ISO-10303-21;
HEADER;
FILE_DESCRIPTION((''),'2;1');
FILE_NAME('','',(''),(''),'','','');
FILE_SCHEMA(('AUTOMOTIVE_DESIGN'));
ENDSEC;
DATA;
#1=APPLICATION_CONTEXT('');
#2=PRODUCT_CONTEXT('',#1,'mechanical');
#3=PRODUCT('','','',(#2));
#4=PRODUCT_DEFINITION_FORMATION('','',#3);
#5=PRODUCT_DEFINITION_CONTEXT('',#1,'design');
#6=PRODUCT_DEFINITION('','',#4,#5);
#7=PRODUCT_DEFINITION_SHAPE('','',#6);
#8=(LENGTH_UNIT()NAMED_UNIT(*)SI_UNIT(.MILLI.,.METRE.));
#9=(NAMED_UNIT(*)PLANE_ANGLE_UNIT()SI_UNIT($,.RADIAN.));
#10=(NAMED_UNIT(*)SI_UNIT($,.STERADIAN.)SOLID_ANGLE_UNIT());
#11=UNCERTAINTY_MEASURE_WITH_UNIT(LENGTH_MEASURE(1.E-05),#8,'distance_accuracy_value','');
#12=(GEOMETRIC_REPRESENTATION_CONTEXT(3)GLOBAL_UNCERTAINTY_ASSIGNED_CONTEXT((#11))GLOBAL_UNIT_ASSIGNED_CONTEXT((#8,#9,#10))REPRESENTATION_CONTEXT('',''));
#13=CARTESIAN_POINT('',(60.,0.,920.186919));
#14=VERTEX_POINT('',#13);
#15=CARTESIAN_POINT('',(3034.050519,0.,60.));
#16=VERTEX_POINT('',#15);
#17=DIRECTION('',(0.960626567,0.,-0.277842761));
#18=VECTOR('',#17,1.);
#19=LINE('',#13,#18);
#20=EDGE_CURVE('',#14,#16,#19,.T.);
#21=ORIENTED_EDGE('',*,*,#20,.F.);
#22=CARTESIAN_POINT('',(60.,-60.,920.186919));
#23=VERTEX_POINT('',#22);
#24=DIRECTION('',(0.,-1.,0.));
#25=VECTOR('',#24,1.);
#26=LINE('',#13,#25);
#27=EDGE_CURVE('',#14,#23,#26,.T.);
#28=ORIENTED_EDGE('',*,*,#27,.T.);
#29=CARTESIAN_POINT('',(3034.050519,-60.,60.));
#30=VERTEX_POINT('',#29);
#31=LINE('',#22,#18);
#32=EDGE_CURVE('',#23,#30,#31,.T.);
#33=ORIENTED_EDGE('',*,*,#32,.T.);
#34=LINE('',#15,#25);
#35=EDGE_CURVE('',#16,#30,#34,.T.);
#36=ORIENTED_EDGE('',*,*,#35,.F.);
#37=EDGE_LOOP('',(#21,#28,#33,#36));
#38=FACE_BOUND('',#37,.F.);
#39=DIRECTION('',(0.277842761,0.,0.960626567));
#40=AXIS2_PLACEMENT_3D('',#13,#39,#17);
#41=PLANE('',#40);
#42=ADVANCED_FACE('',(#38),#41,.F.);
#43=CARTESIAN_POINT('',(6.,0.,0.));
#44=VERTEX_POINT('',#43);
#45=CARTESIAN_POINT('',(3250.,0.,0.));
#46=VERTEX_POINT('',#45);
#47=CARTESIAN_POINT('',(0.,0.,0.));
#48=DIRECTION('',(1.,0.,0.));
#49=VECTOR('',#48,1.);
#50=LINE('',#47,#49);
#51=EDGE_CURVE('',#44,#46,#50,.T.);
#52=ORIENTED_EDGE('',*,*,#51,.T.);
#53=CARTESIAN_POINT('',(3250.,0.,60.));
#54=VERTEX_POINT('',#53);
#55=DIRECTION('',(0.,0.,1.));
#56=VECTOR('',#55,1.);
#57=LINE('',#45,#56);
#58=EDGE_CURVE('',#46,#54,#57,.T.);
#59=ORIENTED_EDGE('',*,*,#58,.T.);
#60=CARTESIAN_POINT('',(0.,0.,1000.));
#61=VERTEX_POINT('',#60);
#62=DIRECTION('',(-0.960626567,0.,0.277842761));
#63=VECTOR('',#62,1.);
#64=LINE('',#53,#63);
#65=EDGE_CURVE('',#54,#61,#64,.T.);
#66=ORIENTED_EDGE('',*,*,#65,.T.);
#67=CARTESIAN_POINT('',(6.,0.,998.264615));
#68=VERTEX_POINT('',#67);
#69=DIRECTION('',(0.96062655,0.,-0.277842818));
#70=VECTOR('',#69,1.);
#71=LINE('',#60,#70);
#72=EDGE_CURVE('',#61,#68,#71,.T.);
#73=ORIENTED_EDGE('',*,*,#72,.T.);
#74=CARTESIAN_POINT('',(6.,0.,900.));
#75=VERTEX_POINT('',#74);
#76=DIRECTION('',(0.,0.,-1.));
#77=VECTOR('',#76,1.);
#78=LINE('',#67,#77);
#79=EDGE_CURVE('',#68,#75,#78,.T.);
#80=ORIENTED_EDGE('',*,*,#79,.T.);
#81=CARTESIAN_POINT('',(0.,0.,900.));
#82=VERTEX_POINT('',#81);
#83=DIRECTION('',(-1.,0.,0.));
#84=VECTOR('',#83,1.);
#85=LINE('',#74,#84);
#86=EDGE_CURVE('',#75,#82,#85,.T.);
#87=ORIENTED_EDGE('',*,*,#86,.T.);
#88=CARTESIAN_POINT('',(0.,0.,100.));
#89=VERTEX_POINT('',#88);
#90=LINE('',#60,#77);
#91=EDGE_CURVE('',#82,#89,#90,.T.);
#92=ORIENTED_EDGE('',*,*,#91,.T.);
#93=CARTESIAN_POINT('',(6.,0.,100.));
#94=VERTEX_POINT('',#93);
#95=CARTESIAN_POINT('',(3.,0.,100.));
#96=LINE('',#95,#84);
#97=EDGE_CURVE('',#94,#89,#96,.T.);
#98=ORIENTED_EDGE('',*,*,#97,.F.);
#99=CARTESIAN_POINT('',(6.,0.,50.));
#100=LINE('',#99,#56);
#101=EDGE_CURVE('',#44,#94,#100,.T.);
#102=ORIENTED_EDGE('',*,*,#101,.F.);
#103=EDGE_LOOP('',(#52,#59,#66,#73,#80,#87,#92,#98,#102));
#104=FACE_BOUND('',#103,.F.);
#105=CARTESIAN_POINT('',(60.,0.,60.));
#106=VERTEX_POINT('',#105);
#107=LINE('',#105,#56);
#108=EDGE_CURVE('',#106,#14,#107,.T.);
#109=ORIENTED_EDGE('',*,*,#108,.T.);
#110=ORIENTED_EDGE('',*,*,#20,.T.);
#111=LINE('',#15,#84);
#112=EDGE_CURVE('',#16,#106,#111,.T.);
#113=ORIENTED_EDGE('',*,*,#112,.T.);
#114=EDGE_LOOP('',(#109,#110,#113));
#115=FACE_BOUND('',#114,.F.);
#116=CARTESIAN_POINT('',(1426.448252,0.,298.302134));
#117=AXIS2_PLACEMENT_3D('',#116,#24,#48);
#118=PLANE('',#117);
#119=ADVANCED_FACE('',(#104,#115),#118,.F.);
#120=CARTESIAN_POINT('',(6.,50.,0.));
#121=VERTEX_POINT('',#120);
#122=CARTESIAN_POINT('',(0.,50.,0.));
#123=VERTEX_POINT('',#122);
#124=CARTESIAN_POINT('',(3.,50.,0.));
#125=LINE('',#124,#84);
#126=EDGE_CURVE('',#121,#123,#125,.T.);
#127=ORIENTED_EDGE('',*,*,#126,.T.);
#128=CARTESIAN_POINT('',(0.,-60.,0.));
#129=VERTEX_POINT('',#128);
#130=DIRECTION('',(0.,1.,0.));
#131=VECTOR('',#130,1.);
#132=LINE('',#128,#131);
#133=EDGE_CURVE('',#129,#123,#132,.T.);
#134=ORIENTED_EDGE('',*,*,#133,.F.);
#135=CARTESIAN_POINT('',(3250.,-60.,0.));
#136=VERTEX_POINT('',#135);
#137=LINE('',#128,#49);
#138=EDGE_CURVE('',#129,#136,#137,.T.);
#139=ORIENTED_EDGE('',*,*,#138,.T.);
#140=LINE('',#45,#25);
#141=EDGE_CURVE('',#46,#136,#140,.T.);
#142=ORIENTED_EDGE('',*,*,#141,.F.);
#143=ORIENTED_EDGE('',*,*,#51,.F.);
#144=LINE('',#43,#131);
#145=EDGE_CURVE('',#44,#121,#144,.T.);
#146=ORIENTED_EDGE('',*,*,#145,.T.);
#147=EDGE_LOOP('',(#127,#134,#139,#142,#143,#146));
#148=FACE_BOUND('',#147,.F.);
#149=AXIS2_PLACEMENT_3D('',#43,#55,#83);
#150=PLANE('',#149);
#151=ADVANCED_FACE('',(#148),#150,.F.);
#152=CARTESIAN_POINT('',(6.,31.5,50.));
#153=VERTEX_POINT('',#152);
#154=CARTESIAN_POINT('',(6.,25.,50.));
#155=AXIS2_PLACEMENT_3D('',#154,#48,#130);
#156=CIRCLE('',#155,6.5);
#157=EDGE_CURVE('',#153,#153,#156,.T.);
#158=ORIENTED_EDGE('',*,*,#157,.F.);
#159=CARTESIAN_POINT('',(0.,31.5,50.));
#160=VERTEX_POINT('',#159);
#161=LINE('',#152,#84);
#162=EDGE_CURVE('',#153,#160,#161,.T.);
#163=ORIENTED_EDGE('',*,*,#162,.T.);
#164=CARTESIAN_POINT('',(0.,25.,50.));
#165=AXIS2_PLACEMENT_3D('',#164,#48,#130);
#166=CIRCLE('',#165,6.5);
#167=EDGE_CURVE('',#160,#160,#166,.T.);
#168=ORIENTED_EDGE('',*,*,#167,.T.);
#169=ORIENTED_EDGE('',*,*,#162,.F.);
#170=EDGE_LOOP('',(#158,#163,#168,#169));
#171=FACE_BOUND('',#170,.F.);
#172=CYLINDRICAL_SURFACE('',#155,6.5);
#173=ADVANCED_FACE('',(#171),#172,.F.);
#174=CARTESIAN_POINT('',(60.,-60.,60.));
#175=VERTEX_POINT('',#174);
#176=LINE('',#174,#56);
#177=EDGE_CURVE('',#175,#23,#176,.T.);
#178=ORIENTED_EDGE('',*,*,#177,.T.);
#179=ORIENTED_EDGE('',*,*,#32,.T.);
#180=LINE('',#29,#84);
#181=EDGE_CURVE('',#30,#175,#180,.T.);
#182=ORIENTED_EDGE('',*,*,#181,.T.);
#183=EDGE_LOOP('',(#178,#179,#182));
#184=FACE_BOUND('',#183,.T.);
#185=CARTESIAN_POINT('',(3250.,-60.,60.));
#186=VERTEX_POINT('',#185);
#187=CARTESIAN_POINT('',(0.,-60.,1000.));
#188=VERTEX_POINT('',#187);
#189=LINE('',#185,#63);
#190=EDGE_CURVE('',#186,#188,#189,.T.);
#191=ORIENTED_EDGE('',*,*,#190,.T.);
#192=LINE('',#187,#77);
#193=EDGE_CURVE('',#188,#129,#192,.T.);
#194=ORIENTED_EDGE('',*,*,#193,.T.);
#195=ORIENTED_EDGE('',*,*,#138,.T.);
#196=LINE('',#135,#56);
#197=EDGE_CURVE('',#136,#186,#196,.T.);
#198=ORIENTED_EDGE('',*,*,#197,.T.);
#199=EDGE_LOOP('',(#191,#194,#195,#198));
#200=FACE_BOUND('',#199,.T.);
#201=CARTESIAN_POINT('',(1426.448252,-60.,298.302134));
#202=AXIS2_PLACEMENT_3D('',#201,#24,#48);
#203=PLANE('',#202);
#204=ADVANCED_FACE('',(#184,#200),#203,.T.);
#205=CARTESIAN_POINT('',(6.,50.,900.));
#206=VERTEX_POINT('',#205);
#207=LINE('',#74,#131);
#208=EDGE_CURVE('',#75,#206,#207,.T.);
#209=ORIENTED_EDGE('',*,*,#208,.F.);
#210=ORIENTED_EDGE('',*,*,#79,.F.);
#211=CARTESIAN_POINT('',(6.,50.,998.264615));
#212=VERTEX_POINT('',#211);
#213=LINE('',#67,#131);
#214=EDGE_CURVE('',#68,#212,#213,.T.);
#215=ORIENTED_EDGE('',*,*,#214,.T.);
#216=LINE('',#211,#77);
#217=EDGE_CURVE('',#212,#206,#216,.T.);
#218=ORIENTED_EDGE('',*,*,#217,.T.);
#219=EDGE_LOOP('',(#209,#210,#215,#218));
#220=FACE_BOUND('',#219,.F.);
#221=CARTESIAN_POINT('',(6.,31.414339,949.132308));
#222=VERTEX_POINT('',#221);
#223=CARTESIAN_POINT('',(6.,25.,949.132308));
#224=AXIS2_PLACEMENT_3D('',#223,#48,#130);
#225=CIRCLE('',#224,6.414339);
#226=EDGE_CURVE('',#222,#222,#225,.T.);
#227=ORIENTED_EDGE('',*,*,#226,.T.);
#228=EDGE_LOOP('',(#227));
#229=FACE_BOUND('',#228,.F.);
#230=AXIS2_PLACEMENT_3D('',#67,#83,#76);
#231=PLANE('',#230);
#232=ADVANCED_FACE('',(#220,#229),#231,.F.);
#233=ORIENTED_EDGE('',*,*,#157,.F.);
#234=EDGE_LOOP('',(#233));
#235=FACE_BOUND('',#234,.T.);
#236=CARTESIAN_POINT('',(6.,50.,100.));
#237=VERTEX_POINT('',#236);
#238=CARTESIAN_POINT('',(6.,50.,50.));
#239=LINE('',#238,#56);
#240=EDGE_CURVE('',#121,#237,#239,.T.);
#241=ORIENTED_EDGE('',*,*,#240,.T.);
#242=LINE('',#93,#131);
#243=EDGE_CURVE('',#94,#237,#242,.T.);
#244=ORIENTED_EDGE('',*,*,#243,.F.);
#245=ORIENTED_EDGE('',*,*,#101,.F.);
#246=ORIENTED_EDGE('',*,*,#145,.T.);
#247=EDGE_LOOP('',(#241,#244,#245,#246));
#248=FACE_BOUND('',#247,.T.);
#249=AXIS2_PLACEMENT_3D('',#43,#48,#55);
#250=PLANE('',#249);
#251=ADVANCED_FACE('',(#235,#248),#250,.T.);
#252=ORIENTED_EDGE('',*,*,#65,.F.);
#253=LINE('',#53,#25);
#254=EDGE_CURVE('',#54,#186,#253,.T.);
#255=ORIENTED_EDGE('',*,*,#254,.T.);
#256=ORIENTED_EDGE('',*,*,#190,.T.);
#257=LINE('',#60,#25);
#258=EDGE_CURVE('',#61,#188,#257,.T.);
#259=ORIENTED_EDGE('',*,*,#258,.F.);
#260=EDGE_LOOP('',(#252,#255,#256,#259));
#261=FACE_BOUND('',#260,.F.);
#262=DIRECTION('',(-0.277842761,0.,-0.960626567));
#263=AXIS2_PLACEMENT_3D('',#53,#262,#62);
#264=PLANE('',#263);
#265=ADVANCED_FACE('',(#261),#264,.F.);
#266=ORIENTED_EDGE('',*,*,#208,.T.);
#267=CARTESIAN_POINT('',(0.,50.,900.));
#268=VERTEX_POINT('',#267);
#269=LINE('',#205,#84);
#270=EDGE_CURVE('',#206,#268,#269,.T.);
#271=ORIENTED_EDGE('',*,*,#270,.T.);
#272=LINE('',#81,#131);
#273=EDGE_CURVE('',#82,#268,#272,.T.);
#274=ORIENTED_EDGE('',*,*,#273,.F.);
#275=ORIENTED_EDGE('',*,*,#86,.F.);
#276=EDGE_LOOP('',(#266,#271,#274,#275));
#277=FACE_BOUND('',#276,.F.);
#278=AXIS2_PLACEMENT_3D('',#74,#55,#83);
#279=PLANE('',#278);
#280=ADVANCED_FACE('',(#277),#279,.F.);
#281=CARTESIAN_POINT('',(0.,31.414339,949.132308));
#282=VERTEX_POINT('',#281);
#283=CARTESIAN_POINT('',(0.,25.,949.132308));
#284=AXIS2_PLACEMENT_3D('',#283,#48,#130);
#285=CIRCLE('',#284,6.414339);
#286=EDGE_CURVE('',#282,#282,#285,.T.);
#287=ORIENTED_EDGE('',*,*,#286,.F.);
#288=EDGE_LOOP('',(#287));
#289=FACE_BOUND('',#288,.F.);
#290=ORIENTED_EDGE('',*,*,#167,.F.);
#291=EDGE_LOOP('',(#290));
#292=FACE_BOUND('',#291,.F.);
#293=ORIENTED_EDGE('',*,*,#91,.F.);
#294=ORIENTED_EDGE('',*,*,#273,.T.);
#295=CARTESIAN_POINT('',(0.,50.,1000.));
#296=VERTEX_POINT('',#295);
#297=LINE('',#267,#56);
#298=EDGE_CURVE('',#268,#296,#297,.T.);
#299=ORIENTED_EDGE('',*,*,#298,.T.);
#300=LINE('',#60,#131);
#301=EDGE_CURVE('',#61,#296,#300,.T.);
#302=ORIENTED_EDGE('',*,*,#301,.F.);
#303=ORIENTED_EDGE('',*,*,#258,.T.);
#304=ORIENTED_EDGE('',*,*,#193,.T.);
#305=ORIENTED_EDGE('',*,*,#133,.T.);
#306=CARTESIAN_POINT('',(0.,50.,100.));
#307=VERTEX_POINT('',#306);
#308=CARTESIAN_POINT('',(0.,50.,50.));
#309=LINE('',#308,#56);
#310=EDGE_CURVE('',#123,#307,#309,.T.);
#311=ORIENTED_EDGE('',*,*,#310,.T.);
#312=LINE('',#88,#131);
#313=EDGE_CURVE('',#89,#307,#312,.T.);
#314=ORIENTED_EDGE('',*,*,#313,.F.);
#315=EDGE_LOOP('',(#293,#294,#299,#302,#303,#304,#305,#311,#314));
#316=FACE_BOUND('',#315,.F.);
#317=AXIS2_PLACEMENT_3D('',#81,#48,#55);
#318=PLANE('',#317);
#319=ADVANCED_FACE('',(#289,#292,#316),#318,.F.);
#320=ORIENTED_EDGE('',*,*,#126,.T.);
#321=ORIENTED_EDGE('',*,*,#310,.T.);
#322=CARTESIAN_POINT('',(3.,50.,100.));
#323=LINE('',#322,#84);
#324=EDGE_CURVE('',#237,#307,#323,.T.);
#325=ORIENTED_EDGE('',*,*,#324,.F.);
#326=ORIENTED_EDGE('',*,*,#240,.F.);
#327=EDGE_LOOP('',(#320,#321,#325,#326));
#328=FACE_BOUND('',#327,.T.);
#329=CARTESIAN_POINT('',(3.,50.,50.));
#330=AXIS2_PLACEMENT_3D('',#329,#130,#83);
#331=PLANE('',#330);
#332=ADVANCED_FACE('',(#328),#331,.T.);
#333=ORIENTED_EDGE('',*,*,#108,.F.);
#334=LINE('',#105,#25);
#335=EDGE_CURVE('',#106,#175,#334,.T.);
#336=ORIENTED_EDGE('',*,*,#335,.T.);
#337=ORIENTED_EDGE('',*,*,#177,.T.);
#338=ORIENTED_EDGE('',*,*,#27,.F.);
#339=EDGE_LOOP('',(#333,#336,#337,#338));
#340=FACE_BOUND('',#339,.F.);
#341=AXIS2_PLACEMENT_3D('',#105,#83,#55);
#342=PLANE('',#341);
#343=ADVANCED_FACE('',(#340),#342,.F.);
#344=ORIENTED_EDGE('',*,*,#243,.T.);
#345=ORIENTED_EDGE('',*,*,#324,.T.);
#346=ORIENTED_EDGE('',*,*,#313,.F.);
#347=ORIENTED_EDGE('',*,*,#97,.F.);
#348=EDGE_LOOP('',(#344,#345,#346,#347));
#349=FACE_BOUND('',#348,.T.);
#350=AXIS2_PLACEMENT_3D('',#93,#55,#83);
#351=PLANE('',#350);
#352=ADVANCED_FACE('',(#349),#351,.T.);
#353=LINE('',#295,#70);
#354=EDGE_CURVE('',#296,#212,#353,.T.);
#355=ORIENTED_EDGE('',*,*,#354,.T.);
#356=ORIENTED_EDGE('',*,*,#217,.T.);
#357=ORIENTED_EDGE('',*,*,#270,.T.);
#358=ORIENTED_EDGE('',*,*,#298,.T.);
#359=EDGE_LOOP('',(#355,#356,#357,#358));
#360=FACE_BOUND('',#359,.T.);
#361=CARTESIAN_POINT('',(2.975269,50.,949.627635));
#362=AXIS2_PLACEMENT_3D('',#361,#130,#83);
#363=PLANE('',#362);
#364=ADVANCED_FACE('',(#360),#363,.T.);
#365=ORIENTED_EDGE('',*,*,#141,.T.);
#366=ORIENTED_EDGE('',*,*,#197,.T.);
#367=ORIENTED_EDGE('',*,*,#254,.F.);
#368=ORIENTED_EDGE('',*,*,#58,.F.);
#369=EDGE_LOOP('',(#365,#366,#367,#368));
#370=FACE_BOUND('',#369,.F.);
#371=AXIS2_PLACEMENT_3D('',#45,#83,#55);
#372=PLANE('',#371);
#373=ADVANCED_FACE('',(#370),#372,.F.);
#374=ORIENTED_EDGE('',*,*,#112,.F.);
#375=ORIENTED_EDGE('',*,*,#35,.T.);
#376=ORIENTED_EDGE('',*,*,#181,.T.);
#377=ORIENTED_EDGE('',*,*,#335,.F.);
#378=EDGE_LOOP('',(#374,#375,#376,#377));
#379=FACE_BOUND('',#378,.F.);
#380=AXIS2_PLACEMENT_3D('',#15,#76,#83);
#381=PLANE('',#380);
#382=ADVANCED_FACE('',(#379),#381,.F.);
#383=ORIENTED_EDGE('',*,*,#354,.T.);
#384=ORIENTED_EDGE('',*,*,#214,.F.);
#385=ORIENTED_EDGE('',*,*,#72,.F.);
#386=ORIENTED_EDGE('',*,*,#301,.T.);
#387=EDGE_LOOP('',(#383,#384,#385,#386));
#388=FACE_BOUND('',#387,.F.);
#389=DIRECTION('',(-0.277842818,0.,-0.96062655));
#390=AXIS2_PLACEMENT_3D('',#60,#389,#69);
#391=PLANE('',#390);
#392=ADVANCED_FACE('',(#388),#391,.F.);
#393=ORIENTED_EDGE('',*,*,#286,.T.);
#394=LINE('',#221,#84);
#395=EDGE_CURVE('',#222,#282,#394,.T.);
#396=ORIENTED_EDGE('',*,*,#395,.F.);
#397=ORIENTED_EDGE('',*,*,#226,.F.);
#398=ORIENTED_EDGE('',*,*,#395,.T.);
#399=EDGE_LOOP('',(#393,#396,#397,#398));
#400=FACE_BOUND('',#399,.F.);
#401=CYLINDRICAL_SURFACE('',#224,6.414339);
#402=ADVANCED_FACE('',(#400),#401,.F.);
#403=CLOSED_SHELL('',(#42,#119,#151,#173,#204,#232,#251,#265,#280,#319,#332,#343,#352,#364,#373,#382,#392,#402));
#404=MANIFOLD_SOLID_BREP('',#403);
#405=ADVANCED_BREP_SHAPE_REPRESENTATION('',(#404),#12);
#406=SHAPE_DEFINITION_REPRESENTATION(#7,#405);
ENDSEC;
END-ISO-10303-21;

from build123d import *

# Parameters (mm, degrees)
F1_DEPTH = 60
F2_W     = 6
F2_H     = 100
F3_DEPTH = 50
F5_DEPTH = 50
F6_R     = 6.414339
F7_DEPTH = 25
F8_R     = 6.5
F9_DEPTH = 25


with BuildPart() as f1:
    # F0 (on Front) → F1 (new body)
    with BuildSketch(Plane.XZ):
        Polygon((0, 1000), (0, 0), (3250, 0), (3250, 60), align=None)
        Polygon((3034.050519, 60), (60, 60), (60, 920.186919), align=None, mode=Mode.SUBTRACT)
    extrude(amount=F1_DEPTH)

    # F2 (on face) → F3 (join)
    with BuildSketch(Plane(origin=(0, 0, 0), x_dir=(-1, 0, 0), z_dir=(0, 1, 0))):
        with Locations((-3, 50)):
            Rectangle(F2_W, F2_H)
    extrude(amount=F3_DEPTH)

    # F4 (on face) → F5 (join)
    with BuildSketch(Plane(origin=(0, 0, 0), x_dir=(-1, 0, 0), z_dir=(0, 1, 0))):
        Polygon((0, 900), (0, 1000), (-6, 998.264615), (-6, 900), align=None)
    extrude(amount=F5_DEPTH)

    # F6 (on face) → F7 (cut)
    with BuildSketch(Plane.YZ.offset(6)):
        with Locations((25, 949.132308)):
            Circle(F6_R)
    extrude(amount=-F7_DEPTH, mode=Mode.SUBTRACT)

    # F8 (on face) → F9 (cut)
    with BuildSketch(Plane.YZ.offset(6)):
        with Locations((25, 50)):
            Circle(F8_R)
    extrude(amount=-F9_DEPTH, mode=Mode.SUBTRACT)


solid = f1.part
